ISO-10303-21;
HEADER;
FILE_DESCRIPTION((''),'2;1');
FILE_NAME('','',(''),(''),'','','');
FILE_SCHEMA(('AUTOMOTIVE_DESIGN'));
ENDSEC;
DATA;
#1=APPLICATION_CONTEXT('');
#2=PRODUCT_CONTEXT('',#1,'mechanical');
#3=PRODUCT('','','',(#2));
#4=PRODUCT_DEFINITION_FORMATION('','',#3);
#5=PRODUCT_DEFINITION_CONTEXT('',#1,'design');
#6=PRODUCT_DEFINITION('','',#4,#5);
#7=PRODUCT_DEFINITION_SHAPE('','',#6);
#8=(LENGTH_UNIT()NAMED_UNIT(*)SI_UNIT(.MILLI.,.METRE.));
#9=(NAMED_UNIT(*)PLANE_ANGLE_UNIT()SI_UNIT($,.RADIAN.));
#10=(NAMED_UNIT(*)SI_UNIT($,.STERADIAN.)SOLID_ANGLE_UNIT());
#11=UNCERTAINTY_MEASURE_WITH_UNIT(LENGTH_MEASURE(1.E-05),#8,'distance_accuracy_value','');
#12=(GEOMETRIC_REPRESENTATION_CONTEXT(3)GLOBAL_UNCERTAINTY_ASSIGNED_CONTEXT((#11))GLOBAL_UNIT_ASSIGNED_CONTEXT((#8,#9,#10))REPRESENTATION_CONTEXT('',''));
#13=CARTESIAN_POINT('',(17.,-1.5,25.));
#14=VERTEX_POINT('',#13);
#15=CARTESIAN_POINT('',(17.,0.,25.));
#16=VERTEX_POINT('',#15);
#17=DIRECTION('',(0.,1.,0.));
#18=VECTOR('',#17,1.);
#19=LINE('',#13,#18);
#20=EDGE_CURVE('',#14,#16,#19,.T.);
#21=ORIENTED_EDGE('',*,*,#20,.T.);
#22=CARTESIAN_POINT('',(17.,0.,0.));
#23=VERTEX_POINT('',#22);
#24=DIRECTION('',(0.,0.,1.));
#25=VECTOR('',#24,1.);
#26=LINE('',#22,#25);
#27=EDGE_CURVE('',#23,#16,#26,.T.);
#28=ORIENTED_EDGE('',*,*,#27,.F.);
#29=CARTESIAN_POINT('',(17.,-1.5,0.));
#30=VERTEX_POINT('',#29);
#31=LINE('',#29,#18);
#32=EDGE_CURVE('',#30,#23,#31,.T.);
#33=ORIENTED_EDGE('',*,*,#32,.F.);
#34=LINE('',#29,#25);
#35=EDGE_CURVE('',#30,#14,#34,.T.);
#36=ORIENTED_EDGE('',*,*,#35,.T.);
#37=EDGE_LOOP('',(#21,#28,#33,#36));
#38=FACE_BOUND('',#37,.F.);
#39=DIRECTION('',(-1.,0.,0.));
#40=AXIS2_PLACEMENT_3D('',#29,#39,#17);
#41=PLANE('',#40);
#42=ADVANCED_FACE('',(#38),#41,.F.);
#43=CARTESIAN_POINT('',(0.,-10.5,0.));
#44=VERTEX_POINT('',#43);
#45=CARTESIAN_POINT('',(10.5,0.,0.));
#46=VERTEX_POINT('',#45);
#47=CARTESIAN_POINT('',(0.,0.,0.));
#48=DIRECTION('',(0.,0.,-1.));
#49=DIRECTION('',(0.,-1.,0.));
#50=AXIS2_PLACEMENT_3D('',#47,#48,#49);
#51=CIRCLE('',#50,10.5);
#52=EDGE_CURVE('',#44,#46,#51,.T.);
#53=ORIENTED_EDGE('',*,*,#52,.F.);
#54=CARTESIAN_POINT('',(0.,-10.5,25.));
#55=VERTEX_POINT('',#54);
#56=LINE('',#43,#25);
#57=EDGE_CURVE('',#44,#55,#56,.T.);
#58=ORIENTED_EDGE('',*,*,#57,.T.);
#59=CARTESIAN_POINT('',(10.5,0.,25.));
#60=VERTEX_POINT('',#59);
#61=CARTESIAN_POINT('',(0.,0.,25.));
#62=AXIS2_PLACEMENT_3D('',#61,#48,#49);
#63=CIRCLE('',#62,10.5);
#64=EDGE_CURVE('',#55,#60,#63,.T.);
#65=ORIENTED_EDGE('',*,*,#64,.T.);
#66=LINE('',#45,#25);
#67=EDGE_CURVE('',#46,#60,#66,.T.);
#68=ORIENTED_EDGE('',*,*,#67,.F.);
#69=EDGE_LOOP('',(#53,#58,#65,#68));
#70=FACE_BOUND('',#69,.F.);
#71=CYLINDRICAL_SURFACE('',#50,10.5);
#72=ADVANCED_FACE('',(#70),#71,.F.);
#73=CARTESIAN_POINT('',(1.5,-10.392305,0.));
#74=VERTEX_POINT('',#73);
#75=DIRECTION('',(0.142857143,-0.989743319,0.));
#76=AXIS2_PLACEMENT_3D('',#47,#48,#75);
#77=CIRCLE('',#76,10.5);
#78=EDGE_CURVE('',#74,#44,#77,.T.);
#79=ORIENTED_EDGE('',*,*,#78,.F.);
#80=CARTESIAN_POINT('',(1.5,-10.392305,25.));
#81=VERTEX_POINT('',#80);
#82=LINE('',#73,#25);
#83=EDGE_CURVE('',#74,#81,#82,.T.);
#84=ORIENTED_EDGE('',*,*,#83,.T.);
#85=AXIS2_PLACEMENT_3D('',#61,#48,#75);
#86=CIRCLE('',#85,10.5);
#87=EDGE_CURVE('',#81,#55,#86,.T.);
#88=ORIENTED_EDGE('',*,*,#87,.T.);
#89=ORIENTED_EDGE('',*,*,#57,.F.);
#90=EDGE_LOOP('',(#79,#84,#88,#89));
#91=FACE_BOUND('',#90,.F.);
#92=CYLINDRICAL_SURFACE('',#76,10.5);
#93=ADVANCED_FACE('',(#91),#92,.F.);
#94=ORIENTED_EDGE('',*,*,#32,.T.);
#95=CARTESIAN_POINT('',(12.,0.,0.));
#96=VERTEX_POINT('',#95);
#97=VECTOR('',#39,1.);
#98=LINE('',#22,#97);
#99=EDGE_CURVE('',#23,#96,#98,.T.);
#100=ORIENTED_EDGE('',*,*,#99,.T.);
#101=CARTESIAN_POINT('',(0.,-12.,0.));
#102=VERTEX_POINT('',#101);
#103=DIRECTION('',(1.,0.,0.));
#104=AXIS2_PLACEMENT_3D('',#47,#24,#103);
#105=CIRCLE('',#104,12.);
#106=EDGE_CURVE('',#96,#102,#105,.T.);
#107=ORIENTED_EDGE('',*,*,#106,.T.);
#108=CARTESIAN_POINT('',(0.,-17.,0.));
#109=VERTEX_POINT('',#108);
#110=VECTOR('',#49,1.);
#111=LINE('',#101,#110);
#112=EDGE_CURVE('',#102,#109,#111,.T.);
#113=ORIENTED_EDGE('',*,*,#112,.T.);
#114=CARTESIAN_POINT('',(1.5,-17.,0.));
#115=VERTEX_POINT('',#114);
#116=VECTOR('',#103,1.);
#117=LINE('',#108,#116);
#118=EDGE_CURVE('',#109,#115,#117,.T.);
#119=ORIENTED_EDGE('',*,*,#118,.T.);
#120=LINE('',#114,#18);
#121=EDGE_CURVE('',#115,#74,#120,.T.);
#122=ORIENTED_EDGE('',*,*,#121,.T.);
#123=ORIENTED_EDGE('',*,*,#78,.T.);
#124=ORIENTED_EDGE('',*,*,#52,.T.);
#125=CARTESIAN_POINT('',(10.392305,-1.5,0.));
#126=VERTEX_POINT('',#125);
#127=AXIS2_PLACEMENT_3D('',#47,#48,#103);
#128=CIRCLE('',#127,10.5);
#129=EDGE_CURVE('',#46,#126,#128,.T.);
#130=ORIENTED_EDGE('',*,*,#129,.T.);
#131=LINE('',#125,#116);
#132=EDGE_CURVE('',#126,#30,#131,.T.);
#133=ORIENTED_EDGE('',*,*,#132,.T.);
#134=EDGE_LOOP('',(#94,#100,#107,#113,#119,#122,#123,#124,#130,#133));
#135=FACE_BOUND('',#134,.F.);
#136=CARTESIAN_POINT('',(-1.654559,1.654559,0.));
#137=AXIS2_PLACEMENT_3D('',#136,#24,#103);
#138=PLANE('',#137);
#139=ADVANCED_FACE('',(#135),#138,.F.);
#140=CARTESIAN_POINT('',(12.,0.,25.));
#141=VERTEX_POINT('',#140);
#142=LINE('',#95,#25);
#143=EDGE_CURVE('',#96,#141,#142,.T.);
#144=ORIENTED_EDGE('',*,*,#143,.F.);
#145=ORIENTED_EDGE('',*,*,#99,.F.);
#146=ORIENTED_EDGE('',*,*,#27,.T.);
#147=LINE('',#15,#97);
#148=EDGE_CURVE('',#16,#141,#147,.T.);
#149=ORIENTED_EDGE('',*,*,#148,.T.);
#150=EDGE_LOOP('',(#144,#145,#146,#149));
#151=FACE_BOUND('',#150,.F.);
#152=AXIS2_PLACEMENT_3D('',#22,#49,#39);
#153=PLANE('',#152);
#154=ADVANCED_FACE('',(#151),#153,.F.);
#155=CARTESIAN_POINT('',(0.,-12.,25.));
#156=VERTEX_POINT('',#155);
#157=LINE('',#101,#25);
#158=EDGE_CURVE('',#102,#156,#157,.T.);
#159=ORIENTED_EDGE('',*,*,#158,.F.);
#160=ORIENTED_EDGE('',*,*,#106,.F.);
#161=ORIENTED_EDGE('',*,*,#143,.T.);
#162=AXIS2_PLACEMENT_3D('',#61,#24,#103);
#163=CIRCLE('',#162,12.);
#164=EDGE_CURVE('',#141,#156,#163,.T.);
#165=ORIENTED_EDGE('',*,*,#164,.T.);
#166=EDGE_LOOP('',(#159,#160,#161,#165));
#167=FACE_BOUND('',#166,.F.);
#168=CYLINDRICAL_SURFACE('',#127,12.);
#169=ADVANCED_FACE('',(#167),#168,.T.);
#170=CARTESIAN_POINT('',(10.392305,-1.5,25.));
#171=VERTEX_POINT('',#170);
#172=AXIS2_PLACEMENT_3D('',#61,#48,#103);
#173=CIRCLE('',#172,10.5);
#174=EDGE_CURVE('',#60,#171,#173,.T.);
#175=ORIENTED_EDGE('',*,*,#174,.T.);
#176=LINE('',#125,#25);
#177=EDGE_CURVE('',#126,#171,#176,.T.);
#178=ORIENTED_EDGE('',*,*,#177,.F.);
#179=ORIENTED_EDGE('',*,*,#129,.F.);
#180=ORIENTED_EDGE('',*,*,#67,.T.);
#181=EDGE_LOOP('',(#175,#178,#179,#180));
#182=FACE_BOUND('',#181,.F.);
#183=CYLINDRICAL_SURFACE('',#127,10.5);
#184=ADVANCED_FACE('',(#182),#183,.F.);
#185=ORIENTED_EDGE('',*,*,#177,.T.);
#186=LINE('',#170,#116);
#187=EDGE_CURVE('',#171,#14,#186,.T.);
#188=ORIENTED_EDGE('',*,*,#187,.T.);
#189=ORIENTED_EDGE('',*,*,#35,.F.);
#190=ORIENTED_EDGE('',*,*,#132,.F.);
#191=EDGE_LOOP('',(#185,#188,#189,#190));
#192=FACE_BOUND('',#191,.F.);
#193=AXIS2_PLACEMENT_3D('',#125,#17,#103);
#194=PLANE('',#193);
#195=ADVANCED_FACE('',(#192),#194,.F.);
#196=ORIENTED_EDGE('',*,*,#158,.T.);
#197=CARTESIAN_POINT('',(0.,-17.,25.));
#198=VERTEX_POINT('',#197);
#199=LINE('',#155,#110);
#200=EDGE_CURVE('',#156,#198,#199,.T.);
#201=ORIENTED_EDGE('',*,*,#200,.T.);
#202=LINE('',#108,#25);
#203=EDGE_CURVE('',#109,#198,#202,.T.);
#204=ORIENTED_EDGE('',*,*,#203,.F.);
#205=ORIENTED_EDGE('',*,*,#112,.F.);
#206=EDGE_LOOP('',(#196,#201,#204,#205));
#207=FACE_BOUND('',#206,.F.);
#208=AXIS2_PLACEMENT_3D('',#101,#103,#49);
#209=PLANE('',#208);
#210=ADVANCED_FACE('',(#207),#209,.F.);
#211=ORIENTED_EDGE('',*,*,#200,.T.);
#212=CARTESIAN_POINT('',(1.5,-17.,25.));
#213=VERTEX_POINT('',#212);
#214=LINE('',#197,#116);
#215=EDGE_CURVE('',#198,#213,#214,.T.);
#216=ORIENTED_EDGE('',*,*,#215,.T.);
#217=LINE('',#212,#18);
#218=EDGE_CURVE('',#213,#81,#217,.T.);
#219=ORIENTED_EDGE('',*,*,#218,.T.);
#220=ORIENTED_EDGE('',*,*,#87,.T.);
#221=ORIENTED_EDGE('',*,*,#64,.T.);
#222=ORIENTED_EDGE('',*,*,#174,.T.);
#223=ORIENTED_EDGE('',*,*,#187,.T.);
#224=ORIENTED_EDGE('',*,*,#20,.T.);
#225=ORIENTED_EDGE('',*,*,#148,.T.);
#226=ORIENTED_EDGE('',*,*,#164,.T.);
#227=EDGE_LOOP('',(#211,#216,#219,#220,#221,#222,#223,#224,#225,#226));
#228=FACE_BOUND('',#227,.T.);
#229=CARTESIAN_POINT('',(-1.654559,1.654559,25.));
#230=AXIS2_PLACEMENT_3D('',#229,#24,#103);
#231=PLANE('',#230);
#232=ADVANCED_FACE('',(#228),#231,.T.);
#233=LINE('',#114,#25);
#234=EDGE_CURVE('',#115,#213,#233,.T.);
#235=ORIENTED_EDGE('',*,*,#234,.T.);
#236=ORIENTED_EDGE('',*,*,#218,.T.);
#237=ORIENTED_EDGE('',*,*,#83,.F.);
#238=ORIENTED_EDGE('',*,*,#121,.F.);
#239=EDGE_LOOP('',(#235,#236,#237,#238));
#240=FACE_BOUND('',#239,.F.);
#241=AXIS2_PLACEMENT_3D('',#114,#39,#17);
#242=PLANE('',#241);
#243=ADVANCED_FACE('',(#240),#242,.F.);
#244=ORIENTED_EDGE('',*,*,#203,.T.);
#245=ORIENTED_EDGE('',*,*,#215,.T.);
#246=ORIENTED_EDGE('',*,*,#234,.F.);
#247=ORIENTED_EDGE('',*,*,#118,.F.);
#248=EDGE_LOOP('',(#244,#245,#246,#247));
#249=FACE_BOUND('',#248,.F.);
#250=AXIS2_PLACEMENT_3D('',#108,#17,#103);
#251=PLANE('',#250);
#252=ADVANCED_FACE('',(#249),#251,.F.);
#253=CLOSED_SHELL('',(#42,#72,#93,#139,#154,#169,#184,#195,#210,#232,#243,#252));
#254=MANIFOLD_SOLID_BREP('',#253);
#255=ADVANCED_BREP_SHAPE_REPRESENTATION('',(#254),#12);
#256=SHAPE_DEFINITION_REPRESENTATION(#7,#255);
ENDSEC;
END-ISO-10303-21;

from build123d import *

# Parameters (mm, degrees)
F1_DEPTH = 25


with BuildPart() as f1:
    # F0 (on Top) → F1 (new body)
    with BuildSketch(Plane.XY):
        with BuildLine():
            ThreePointArc((0, -10.5), (-7.4246212025, 7.4246212025), (10.5, 0))
            Line((10.5, 0), (12, 0))
            ThreePointArc((12, 0), (-8.4852813742, 8.4852813742), (0, -12))
            Line((0, -12), (0, -10.5))
        make_face()
        with BuildLine():
            Line((12, 0), (10.5, 0))
            ThreePointArc((10.5, 0), (10.473041604, -0.7519305564), (10.3923048454, -1.5))
            Line((10.3923048454, -1.5), (11.9058808998, -1.5))
            ThreePointArc((11.9058808998, -1.5), (11.9764471108, -0.7514749505), (12, 0))
        make_face()
        with BuildLine():
            Line((17, 0), (12, 0))
            ThreePointArc((12, 0), (11.9764471108, -0.7514749505), (11.9058808998, -1.5))
            Line((11.9058808998, -1.5), (17, -1.5))
            Line((17, -1.5), (17, 0))
        make_face()
        with BuildLine():
            ThreePointArc((1.5, -10.3923048454), (0.7519305564, -10.473041604), (0, -10.5))
            Line((0, -10.5), (0, -12))
            ThreePointArc((0, -12), (0.7514749505, -11.9764471108), (1.5, -11.9058808998))
            Line((1.5, -11.9058808998), (1.5, -10.3923048454))
        make_face()
        with BuildLine():
            ThreePointArc((1.5, -11.9058808998), (0.7514749505, -11.9764471108), (0, -12))
            Line((0, -12), (0, -17))
            Line((0, -17), (1.5, -17))
            Line((1.5, -17), (1.5, -11.9058808998))
        make_face()
    extrude(amount=F1_DEPTH)


solid = f1.part
